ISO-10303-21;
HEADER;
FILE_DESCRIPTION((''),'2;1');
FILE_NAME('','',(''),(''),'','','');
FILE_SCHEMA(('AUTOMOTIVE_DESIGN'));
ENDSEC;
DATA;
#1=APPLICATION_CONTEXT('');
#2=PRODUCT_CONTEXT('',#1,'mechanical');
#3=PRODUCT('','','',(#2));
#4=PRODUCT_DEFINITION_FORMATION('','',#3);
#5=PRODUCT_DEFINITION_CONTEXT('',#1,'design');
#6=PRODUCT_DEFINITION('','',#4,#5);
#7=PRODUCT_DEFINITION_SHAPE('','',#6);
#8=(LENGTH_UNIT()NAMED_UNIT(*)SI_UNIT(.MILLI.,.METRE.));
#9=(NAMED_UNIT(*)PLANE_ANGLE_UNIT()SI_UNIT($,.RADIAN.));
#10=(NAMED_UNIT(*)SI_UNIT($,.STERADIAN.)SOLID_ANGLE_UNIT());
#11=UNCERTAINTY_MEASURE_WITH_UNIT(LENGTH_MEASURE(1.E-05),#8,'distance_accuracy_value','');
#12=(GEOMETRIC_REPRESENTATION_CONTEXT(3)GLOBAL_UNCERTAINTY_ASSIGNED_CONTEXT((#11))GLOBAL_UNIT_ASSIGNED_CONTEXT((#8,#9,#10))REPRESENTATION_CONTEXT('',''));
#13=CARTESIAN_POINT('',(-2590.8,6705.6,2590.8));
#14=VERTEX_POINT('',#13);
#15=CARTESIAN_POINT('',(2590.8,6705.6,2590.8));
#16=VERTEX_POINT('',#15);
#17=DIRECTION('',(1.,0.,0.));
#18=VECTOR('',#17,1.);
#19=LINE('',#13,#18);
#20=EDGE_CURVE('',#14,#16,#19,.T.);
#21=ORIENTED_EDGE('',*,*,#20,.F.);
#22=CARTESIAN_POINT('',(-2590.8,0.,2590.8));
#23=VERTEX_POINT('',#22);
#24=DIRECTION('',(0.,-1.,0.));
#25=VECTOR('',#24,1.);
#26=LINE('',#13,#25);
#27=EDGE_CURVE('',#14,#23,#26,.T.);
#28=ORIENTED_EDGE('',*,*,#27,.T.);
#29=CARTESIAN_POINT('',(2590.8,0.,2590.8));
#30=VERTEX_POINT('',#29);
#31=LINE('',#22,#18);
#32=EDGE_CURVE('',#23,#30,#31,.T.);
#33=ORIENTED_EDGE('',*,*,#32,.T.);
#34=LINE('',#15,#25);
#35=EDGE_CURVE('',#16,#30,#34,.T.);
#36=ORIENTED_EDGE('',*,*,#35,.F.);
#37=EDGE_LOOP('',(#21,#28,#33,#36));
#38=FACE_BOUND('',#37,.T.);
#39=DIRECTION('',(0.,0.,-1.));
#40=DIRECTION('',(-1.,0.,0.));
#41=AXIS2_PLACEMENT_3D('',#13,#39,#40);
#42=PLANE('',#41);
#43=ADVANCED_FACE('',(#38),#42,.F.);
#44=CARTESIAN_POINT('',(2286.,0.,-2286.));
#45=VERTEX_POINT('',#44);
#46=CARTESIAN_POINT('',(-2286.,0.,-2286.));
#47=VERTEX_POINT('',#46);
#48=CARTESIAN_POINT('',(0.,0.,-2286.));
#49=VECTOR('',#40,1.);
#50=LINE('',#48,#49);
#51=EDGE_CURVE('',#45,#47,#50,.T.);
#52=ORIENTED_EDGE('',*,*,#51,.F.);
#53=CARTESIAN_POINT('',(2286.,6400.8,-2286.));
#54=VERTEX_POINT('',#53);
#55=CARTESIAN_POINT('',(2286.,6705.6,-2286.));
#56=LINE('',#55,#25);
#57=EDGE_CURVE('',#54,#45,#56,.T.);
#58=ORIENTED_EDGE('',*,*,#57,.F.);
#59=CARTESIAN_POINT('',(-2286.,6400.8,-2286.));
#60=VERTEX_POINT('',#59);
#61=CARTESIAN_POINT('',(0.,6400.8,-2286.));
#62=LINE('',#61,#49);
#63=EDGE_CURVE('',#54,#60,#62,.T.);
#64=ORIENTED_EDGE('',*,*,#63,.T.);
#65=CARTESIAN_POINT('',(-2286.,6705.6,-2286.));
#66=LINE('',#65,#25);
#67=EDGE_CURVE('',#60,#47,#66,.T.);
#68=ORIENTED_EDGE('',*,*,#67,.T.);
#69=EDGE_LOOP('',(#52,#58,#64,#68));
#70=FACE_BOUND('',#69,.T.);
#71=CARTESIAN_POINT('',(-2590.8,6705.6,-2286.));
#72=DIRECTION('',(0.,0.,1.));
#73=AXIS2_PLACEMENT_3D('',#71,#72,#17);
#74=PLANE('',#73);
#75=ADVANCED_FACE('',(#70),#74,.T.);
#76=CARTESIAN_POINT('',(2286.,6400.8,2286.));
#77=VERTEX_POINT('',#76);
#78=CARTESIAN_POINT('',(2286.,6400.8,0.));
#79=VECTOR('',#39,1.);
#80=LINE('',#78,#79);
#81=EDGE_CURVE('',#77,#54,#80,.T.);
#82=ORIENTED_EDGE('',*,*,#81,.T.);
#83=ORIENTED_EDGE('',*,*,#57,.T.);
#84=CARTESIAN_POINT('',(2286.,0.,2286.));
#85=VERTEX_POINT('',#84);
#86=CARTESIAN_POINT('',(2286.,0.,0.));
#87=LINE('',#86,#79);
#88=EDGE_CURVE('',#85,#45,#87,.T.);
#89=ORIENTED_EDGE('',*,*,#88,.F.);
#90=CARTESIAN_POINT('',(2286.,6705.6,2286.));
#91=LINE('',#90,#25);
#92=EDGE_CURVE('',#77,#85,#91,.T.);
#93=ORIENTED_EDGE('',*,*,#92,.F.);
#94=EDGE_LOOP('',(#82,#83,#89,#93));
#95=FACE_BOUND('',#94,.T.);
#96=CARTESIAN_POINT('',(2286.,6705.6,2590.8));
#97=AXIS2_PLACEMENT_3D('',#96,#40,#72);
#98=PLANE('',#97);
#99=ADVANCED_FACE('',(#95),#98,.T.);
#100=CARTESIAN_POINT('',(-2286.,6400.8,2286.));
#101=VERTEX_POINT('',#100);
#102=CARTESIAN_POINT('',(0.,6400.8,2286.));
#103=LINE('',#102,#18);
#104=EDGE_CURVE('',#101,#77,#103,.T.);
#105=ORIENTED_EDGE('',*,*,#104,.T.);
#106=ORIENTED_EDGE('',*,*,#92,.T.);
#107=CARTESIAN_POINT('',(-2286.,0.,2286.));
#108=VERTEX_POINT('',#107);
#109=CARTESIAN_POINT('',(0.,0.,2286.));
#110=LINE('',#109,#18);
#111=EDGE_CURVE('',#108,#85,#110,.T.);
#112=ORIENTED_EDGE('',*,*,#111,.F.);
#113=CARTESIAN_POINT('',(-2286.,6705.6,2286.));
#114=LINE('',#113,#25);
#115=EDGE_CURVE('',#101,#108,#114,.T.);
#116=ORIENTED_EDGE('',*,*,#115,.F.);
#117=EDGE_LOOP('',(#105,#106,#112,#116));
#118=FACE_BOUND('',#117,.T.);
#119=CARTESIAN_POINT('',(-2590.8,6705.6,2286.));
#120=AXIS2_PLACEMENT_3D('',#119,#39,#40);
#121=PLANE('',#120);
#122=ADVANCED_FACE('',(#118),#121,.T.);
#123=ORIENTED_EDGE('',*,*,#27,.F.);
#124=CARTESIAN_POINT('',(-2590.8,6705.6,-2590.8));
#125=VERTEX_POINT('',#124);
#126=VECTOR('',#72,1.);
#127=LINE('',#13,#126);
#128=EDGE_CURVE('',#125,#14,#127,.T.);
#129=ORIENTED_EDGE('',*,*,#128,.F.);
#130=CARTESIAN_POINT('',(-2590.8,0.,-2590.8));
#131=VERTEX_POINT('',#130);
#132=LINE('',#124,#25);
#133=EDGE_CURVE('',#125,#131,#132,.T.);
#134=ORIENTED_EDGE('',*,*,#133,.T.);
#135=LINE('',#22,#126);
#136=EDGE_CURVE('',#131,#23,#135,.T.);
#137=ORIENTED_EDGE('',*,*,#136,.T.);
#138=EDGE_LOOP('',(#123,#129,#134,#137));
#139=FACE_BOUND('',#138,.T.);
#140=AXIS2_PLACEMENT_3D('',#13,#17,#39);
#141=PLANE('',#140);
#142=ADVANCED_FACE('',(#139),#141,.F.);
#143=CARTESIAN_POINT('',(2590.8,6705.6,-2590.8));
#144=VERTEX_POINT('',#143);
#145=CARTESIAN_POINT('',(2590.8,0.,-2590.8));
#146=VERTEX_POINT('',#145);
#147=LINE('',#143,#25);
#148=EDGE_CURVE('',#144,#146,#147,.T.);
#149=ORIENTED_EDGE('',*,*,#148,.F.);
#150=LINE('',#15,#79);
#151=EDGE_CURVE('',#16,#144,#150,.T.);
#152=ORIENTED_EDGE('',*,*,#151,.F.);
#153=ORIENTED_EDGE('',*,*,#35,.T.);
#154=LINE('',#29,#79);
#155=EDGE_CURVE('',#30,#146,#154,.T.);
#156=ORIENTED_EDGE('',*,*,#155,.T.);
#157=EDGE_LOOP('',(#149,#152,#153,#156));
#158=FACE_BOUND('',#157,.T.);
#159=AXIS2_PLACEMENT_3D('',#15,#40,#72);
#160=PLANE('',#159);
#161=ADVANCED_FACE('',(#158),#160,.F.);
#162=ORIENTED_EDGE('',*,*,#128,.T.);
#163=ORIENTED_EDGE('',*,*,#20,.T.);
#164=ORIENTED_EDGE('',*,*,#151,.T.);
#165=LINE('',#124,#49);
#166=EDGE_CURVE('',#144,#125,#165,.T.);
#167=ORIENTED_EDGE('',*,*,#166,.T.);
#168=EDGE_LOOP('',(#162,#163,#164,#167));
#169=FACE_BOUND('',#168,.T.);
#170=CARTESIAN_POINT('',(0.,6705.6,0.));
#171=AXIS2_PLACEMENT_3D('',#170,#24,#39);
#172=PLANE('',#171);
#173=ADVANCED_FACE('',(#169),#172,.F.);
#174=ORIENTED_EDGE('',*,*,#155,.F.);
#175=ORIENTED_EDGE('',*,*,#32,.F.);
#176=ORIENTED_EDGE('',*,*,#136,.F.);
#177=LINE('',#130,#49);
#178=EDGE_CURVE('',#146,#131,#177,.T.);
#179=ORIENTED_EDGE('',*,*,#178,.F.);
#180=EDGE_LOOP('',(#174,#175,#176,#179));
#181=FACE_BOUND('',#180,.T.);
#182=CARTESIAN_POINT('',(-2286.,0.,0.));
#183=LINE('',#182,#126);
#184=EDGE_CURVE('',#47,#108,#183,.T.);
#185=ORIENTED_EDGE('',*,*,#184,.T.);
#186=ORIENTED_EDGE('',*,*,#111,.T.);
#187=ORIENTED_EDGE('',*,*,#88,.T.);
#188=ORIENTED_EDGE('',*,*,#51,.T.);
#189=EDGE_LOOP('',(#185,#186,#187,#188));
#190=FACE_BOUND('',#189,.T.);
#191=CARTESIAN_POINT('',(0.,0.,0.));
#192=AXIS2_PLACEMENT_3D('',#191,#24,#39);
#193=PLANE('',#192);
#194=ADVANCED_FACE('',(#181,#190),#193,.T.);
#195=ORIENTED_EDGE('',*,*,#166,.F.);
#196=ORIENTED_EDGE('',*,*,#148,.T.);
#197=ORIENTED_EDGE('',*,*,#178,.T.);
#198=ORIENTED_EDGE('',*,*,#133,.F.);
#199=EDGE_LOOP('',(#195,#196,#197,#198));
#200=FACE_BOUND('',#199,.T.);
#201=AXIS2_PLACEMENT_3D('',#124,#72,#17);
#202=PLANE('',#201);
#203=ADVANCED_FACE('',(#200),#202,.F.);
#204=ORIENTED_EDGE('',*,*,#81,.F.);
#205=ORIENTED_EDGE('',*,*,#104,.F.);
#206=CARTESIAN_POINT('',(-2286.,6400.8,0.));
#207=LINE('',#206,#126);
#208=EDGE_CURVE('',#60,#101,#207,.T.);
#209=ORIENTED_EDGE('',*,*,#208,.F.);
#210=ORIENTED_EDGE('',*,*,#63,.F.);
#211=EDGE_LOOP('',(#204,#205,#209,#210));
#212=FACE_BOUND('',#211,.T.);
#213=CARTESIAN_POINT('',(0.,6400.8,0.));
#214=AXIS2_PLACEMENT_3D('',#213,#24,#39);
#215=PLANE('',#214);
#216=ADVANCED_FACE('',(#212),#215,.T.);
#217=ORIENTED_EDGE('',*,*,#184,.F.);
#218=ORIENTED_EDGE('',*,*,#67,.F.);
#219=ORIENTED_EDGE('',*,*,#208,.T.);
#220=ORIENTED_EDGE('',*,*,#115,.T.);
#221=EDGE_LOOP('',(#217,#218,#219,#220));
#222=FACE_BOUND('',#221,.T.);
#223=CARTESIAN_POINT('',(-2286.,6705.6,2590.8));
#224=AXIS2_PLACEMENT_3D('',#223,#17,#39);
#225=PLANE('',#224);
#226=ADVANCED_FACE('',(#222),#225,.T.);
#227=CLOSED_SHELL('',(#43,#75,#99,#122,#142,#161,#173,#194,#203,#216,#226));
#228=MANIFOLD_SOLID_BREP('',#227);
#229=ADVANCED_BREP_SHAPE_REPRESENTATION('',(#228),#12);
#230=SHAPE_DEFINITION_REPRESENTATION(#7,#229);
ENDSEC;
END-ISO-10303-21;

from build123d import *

# Parameters (mm, degrees)
SKETCH1_W           = 5181.6
SKETCH1_H           = 5181.6
BOSS_EXTRUDE1_DEPTH = 6705.6
SHELL1_T            = -304.8


with BuildPart() as part:
    # Sketch1 → Boss-Extrude1 (new body)
    with BuildSketch(Plane(origin=(0, 0, 0), x_dir=(1, 0, 0), z_dir=(0, 1, 0))):
        Rectangle(SKETCH1_W, SKETCH1_H)
    extrude(amount=BOSS_EXTRUDE1_DEPTH)

    # Shell1
    shell1_openings = [part.faces().sort_by_distance(p)[0] for p in [
        (0, 0, 0),
    ]]
    offset(amount=SHELL1_T, openings=shell1_openings, kind=Kind.INTERSECTION)


solid = part.part
